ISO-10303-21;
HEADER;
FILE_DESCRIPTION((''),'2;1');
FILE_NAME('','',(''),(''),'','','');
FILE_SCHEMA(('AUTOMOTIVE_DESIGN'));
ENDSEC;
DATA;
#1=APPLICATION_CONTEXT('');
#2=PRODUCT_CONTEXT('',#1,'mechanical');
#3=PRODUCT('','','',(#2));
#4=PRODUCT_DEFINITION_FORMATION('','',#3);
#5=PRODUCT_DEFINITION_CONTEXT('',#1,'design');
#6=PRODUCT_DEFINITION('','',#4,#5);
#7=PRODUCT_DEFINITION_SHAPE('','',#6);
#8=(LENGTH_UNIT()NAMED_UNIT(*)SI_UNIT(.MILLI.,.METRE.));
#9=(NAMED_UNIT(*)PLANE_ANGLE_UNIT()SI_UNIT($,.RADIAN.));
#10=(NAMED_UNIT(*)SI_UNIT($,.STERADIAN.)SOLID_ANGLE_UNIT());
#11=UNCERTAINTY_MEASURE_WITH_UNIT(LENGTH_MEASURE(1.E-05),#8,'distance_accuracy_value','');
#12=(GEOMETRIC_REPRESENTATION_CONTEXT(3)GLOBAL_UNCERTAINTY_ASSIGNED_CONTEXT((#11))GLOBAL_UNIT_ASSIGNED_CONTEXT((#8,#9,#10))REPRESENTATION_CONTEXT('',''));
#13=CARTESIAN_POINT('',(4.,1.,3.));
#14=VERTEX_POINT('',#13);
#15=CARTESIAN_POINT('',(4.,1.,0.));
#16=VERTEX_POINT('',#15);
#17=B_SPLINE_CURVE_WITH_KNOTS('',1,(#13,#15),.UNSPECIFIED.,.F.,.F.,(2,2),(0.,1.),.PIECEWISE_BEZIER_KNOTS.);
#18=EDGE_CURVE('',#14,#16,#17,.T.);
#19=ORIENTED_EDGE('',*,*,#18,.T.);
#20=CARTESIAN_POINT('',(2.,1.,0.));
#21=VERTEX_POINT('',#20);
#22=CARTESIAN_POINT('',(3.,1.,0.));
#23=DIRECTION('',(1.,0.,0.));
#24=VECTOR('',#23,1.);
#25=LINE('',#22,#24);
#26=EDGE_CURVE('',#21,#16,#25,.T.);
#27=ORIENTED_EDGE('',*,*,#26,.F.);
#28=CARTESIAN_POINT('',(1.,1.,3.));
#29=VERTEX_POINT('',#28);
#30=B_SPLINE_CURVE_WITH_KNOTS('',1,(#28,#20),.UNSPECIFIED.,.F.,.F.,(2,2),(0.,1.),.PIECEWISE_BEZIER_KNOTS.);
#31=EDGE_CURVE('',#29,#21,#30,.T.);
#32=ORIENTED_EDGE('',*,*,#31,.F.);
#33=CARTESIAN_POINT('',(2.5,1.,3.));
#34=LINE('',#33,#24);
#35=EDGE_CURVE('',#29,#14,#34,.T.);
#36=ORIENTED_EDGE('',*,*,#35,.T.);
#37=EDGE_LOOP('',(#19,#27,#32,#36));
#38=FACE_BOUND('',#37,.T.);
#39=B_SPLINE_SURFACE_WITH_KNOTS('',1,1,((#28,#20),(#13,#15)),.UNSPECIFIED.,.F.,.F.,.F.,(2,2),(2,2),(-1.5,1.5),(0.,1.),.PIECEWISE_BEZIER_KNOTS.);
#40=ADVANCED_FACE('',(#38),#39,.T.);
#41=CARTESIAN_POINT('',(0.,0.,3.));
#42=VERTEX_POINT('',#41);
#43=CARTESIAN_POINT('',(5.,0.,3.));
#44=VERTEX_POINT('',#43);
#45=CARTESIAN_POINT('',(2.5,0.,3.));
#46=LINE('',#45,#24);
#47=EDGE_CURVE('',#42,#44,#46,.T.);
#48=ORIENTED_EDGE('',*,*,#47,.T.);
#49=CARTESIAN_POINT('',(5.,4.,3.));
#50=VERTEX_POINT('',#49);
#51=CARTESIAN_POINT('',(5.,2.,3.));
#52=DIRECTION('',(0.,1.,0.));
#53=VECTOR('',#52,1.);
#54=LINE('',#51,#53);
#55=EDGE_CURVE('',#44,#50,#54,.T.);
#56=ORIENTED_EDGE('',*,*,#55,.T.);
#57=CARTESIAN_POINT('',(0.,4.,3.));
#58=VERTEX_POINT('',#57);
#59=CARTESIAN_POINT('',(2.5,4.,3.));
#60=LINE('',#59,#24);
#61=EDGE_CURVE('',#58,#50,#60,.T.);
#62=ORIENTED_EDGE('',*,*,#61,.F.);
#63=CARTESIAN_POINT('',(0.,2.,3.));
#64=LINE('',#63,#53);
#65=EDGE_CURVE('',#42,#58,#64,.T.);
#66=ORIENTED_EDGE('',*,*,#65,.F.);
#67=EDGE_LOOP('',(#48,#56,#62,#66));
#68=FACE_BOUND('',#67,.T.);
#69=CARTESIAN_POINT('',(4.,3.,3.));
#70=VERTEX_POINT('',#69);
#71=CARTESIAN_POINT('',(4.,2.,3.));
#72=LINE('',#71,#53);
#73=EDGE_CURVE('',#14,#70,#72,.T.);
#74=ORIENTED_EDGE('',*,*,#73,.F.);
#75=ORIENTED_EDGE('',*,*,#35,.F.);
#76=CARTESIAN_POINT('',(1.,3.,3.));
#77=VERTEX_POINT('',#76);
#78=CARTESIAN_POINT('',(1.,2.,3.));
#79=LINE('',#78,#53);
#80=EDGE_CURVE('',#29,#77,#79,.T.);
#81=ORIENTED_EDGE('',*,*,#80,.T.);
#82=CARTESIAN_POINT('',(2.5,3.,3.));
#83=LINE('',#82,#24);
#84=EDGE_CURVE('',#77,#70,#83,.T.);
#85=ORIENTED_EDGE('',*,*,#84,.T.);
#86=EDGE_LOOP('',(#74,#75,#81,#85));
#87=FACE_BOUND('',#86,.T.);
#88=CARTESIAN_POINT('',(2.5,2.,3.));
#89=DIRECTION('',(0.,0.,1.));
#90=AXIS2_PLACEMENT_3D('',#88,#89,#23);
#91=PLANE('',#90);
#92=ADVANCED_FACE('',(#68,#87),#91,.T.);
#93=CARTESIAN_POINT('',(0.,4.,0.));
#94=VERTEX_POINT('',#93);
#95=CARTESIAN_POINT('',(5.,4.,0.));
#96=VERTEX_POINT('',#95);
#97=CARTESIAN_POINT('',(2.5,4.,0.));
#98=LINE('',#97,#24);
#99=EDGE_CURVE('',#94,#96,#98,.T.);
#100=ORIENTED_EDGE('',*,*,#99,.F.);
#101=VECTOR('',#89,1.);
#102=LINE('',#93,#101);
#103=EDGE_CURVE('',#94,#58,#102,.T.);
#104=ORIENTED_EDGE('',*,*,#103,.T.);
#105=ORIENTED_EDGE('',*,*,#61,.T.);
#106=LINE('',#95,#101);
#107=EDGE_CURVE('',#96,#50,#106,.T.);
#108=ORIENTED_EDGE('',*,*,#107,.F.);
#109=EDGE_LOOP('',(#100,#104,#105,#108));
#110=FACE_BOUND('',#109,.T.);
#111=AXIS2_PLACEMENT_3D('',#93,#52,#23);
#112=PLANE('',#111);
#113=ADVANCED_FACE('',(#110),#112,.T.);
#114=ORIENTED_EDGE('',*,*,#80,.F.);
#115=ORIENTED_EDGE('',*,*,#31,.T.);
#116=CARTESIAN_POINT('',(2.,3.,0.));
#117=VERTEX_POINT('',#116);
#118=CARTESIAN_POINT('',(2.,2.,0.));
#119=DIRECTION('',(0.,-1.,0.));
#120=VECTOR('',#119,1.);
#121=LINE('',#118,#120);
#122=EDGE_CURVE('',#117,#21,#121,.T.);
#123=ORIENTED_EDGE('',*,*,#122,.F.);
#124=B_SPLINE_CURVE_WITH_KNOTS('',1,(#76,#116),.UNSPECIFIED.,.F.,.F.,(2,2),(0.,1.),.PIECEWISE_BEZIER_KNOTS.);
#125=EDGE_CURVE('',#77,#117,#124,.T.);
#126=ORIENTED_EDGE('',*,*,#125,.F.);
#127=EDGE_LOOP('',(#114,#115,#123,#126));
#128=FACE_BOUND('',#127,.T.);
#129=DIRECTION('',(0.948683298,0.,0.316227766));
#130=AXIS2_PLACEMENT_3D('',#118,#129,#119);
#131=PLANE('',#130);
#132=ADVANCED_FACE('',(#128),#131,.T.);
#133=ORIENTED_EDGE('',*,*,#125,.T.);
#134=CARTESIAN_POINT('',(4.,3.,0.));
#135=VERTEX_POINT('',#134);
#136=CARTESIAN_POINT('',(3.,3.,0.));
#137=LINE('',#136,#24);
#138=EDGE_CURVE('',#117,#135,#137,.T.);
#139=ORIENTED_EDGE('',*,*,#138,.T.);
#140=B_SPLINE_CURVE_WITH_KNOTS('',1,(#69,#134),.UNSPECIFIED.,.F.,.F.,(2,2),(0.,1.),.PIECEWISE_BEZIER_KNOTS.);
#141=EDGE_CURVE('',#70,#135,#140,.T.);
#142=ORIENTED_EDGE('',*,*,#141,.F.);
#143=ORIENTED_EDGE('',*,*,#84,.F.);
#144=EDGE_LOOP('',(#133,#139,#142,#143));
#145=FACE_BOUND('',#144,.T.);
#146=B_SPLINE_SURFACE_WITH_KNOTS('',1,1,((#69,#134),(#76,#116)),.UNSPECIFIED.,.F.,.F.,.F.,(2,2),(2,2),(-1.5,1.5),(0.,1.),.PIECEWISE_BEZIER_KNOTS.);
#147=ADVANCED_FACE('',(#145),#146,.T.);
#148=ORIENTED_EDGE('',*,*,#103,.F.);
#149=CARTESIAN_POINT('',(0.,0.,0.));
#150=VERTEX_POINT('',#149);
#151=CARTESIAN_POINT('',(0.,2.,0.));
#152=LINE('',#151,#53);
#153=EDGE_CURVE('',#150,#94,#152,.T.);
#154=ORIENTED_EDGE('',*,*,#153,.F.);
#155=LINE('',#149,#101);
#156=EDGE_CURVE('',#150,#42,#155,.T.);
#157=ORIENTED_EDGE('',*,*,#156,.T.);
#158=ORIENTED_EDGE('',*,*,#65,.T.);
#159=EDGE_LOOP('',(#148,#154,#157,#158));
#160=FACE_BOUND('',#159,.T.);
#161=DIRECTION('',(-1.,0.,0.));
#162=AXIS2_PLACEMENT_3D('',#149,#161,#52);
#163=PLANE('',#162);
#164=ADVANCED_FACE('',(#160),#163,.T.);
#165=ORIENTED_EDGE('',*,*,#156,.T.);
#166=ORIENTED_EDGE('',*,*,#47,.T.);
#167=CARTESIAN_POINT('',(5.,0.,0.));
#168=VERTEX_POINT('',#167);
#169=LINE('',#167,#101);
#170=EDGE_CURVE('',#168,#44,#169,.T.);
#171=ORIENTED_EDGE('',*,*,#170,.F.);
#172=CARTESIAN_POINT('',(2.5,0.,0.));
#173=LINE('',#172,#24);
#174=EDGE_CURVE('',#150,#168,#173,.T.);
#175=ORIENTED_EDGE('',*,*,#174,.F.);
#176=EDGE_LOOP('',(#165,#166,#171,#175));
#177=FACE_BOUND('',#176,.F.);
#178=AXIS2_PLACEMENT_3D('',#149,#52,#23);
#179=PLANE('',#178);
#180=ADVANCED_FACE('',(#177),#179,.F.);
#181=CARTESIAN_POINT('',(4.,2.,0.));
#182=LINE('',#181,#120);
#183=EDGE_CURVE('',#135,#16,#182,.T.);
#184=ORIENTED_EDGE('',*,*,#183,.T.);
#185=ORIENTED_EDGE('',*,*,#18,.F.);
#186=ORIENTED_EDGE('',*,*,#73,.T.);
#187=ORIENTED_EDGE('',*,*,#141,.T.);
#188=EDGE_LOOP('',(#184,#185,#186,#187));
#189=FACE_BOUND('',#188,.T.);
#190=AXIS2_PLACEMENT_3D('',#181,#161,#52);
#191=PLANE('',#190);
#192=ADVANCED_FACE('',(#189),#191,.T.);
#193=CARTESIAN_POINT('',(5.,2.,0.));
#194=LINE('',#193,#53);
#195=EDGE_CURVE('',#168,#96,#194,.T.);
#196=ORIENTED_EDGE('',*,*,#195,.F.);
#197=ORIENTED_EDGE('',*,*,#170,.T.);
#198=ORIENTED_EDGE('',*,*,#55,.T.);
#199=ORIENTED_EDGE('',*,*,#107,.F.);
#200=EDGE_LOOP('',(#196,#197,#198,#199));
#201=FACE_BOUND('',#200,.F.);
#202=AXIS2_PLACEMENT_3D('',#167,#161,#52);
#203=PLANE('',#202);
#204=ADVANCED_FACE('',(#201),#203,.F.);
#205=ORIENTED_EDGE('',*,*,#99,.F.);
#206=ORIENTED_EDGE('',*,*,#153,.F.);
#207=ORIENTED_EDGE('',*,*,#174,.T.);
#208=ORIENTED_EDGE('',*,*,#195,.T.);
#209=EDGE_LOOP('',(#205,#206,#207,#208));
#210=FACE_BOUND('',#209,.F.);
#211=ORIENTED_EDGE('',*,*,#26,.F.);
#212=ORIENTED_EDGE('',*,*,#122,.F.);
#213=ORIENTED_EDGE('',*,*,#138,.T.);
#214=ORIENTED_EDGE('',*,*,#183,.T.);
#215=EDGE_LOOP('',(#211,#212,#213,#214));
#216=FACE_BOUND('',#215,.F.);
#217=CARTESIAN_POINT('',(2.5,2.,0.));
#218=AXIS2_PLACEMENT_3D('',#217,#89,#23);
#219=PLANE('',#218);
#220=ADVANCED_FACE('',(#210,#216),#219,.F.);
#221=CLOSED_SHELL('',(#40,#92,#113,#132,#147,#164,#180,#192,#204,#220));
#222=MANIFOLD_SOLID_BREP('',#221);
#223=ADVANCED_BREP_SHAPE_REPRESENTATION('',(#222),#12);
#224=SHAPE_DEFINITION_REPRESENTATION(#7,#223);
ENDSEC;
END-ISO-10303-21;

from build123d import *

# Parameters (mm, degrees)
F0_W     = 5
F0_H     = 4
F1_DEPTH = 3
F3_W     = 3
F3_H     = 2
F2_W     = 2
F2_H     = 2


with BuildPart() as f1:
    # F0 (on Top) → F1 (new body)
    with BuildSketch(Plane.XY):
        with Locations((2.5, 2)):
            Rectangle(F0_W, F0_H)
    extrude(amount=F1_DEPTH)

    # F3 (on face) → F4 section 0
    with BuildSketch(Plane.XY.offset(3)):
        with Locations((2.5, 2)):
            Rectangle(F3_W, F3_H)
    # F2 (on face) → F4 section 1
    with BuildSketch(Plane(origin=(0, 0, 0), x_dir=(1, 0, 0), z_dir=(0, 0, -1))):
        with Locations((3, -2)):
            Rectangle(F2_W, F2_H)
    loft(mode=Mode.SUBTRACT)


solid = f1.part
